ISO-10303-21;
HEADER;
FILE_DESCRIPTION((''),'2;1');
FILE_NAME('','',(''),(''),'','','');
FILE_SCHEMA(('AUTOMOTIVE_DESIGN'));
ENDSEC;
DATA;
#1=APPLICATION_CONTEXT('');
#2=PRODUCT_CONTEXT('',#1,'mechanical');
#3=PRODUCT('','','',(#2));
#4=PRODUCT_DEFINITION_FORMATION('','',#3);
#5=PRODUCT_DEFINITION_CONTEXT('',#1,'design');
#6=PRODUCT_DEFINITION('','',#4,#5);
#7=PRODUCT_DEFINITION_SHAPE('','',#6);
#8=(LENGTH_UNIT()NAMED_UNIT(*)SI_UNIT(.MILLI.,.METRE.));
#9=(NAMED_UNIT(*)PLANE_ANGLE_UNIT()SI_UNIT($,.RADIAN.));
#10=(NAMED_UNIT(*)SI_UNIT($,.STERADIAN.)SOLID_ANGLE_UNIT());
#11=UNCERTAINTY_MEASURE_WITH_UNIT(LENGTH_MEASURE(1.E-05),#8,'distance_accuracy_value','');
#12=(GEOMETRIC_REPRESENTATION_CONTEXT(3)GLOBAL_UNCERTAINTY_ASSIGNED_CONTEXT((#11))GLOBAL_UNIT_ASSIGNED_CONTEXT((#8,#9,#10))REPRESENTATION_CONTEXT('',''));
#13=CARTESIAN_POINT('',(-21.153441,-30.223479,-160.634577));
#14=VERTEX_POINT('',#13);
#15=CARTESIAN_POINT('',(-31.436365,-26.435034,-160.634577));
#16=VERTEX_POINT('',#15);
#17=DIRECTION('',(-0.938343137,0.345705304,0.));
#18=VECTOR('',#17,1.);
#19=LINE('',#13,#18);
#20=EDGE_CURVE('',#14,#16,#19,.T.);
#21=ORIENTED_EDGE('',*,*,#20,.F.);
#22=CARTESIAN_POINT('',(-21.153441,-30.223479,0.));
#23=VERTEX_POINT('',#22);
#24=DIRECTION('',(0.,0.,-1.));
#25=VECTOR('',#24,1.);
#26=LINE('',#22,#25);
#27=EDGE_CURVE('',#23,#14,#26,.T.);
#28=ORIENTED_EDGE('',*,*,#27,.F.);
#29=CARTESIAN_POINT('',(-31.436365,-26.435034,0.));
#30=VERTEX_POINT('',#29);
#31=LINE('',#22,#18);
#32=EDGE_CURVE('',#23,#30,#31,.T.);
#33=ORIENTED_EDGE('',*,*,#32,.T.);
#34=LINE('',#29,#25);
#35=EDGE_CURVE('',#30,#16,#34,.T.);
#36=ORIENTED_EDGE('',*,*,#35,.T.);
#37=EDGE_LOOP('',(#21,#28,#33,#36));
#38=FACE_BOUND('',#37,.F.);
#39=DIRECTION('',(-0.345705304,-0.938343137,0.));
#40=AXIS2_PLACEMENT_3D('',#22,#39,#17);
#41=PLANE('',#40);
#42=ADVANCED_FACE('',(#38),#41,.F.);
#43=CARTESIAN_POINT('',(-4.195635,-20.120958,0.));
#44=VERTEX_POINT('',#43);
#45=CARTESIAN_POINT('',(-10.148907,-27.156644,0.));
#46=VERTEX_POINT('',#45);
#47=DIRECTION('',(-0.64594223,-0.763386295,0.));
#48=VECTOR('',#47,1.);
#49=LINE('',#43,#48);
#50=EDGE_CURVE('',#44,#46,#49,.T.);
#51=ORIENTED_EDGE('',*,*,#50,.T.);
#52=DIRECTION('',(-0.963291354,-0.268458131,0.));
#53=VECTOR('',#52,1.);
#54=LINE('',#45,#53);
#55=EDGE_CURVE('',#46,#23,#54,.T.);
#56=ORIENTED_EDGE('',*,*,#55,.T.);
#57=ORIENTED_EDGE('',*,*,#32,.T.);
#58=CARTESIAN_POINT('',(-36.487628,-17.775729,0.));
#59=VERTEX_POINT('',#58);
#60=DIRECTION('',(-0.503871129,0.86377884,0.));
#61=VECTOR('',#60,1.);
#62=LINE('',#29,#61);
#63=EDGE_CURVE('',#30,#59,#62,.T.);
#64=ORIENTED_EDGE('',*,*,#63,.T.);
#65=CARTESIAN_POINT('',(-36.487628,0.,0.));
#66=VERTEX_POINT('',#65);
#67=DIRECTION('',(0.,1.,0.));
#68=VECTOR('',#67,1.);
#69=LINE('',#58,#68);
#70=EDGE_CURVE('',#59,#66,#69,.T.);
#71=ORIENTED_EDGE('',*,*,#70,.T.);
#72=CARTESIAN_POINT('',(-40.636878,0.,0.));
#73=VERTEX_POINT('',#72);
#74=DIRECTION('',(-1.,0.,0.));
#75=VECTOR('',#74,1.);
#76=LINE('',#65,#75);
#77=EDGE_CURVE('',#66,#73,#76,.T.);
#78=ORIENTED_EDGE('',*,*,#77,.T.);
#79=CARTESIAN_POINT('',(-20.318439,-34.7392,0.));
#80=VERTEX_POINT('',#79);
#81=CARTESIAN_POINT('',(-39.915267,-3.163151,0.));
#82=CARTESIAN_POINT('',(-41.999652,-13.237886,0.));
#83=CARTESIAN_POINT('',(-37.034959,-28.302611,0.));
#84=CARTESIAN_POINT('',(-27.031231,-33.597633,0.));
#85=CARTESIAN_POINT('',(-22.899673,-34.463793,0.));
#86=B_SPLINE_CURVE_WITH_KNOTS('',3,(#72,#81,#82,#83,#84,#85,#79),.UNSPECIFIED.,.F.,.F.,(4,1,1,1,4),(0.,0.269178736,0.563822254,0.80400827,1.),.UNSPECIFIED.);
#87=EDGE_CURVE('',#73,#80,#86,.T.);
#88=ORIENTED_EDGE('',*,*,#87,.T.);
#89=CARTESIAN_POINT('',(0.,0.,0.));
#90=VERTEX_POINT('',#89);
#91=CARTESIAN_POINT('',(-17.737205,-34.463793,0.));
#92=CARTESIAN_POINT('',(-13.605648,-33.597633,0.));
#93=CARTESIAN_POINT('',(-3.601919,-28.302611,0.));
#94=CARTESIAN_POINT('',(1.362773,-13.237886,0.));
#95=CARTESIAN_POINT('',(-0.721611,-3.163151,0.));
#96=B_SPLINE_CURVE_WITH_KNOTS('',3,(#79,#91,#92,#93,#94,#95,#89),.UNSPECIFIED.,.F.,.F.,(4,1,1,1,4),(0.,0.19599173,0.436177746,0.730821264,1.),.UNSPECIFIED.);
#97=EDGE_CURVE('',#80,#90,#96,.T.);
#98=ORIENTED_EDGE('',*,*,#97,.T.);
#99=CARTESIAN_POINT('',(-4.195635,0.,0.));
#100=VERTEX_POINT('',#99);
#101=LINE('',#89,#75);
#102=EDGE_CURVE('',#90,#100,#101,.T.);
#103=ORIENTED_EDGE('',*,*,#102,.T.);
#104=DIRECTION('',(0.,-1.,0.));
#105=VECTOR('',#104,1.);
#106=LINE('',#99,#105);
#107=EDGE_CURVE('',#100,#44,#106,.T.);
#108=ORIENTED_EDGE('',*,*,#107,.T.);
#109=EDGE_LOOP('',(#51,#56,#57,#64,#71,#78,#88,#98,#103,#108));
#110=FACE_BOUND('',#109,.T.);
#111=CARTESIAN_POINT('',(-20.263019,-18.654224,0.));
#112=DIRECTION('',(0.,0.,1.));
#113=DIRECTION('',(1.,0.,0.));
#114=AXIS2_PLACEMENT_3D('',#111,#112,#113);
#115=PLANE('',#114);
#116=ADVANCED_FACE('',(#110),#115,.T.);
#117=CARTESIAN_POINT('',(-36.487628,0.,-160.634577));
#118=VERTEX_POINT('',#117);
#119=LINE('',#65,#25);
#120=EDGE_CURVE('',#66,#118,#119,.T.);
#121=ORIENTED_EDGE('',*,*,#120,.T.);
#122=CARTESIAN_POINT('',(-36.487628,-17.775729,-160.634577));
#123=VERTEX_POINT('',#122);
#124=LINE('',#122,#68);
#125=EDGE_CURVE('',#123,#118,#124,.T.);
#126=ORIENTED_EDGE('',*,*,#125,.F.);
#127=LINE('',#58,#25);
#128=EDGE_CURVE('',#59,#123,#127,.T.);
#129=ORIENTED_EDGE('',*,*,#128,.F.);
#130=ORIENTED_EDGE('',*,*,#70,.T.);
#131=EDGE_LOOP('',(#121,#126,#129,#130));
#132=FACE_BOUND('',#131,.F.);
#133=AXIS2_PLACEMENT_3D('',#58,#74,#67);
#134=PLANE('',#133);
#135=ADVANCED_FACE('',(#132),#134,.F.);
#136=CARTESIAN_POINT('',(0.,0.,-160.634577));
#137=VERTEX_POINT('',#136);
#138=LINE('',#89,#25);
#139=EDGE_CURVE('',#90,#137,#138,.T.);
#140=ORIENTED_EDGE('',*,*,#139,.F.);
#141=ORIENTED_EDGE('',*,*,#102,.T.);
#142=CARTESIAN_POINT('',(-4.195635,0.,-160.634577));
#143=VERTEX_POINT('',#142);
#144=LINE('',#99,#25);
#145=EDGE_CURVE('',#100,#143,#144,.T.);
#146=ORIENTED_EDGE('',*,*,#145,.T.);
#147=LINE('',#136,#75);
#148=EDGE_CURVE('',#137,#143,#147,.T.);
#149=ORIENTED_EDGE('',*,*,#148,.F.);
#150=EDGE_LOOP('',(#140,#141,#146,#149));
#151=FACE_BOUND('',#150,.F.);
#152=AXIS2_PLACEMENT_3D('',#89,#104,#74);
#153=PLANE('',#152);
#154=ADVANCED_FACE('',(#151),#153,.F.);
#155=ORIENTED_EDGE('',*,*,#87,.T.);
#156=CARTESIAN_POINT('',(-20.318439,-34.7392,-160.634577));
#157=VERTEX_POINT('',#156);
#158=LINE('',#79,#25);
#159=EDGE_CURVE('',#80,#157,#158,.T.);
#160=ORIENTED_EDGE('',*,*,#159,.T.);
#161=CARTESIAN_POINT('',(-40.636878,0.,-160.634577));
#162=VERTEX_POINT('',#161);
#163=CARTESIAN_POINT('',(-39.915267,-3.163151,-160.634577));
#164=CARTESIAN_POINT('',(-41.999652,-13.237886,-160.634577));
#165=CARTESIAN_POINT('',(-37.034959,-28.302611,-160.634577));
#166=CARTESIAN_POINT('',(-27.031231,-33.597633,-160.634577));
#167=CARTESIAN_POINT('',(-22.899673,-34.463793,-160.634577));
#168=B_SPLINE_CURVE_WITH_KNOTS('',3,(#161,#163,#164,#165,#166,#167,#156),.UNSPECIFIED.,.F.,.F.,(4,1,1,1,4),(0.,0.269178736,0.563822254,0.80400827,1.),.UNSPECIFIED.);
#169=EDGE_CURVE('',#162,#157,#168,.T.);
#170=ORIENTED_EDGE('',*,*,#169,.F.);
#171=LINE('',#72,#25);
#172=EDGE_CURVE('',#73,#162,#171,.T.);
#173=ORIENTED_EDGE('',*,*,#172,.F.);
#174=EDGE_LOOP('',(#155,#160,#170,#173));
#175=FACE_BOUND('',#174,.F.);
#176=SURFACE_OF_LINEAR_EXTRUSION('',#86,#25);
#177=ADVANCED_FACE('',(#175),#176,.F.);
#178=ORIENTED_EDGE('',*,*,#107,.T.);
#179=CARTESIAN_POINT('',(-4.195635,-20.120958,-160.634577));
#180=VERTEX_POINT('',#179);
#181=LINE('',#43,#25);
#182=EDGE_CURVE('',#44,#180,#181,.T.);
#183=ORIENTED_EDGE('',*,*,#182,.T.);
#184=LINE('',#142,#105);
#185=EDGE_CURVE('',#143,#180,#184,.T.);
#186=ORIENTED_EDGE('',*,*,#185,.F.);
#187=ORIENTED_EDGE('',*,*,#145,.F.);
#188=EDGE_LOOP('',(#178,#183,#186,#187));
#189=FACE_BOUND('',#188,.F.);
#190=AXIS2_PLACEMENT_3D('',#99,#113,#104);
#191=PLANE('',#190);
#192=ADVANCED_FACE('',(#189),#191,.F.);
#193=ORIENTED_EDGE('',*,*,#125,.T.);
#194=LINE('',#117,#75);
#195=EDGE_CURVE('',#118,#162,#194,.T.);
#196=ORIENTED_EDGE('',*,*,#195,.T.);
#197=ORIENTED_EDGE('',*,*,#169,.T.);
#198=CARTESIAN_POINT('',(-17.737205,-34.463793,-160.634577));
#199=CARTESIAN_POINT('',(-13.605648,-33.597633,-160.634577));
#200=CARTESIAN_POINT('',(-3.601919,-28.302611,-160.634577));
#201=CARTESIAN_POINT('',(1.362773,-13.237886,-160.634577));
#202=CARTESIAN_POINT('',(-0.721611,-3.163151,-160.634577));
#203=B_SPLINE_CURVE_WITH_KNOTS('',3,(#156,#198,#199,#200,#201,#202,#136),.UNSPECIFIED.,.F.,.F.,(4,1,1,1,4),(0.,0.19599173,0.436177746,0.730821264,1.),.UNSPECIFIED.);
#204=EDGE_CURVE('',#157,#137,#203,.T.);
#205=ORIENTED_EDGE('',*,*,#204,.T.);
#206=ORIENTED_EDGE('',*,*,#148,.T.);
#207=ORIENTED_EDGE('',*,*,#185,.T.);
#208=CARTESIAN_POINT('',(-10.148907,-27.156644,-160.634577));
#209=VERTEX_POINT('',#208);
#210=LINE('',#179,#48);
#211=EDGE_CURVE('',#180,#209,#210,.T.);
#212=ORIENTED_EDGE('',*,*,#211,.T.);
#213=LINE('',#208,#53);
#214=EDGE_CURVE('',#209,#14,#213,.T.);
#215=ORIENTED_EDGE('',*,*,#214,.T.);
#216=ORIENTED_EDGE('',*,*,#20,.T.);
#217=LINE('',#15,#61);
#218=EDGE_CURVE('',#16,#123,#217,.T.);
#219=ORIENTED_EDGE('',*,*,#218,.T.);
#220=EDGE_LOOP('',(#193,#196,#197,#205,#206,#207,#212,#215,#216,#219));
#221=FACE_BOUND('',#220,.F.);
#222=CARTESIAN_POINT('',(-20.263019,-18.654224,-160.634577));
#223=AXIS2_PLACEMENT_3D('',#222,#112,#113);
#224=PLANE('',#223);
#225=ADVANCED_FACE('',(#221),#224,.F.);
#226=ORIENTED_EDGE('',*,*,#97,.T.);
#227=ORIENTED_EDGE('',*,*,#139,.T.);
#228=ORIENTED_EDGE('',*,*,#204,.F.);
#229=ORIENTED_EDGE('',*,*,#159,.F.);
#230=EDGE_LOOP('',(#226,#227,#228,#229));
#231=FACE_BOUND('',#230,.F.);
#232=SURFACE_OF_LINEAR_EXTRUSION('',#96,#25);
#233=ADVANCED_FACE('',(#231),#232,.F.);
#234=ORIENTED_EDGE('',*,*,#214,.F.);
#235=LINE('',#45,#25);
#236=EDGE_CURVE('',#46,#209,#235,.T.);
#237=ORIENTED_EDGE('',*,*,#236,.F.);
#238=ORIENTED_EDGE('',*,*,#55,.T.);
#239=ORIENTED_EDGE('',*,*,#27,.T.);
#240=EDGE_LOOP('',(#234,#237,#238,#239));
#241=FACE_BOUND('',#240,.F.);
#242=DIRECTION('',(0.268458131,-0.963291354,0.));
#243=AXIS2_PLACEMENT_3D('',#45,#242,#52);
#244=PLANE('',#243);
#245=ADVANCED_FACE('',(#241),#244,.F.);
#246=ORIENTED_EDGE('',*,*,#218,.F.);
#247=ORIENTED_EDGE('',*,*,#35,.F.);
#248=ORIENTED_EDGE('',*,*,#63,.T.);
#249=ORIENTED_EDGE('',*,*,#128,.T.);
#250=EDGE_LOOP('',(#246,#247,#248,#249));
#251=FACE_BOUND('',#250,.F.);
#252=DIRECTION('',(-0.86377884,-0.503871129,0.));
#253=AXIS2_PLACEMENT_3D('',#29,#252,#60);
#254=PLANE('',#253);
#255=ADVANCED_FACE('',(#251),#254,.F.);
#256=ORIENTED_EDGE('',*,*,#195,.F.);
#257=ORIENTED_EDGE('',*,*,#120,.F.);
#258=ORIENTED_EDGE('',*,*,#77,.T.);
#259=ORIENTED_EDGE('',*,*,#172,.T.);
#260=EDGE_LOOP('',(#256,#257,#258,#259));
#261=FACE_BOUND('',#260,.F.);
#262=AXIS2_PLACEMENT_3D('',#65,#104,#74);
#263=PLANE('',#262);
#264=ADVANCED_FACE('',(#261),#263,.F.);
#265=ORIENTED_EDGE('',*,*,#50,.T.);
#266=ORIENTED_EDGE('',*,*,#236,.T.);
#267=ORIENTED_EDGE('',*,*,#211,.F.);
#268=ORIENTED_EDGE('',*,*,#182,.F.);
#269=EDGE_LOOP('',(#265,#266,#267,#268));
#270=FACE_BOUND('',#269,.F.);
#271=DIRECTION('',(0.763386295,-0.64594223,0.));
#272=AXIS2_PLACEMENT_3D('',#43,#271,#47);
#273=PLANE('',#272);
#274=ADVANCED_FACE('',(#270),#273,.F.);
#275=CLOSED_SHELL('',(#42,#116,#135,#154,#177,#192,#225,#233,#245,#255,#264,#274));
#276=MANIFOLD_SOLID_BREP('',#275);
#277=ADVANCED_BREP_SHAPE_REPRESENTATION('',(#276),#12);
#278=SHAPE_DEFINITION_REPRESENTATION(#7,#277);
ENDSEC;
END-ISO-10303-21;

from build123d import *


with BuildPart() as f2:
    # F2: sweep along a path in F1
    with BuildLine(Plane.XZ) as f2_path:
        Line((-20.3742571175, 0), (-20.3742571175, -160.6345772743))
    # F0 (on Top) → F2 (sweep)
    with BuildSketch(Plane.XY):
        with BuildLine():
            add(Edge.make_bspline(
                [(0, 0), (-0.7216110826, -3.1631509773), (1.3627734598, -13.2378862663), (-3.601919144, -28.3026114897), (-13.6056478974, -33.5976328714), (-17.7372051795, -34.4637926501), (-20.3184392303, -34.7392000258)],
                knots=[0, 0, 0, 0, 0.2691787361, 0.5638222538, 0.8040082698, 1, 1, 1, 1], degree=3))
            Line((0, 0), (-4.1956347413, 0))
            Line((-4.1956347413, 0), (-4.1956347413, -20.1209578663))
            Line((-4.1956347413, -20.1209578663), (-10.1489070803, -27.1566435695))
            Line((-10.1489070803, -27.1566435695), (-21.153440699, -30.2234794945))
            Line((-21.153440699, -30.2234794945), (-31.4363650978, -26.4350343496))
            Line((-31.4363650978, -26.4350343496), (-36.4876277745, -17.7757292986))
            Line((-36.4876277745, -17.7757292986), (-36.4876277745, 0))
            Line((-36.4876277745, 0), (-40.6368784606, 0))
            add(Edge.make_bspline(
                [(-40.6368784606, 0), (-39.9152673781, -3.1631509773), (-41.9996519204, -13.2378862663), (-37.0349593167, -28.3026114897), (-27.0312305633, -33.5976328714), (-22.8996732811, -34.4637926501), (-20.3184392303, -34.7392000258)],
                knots=[0, 0, 0, 0, 0.2691787361, 0.5638222538, 0.8040082698, 1, 1, 1, 1], degree=3))
        make_face()
    sweep(path=f2_path.line)


solid = f2.part
